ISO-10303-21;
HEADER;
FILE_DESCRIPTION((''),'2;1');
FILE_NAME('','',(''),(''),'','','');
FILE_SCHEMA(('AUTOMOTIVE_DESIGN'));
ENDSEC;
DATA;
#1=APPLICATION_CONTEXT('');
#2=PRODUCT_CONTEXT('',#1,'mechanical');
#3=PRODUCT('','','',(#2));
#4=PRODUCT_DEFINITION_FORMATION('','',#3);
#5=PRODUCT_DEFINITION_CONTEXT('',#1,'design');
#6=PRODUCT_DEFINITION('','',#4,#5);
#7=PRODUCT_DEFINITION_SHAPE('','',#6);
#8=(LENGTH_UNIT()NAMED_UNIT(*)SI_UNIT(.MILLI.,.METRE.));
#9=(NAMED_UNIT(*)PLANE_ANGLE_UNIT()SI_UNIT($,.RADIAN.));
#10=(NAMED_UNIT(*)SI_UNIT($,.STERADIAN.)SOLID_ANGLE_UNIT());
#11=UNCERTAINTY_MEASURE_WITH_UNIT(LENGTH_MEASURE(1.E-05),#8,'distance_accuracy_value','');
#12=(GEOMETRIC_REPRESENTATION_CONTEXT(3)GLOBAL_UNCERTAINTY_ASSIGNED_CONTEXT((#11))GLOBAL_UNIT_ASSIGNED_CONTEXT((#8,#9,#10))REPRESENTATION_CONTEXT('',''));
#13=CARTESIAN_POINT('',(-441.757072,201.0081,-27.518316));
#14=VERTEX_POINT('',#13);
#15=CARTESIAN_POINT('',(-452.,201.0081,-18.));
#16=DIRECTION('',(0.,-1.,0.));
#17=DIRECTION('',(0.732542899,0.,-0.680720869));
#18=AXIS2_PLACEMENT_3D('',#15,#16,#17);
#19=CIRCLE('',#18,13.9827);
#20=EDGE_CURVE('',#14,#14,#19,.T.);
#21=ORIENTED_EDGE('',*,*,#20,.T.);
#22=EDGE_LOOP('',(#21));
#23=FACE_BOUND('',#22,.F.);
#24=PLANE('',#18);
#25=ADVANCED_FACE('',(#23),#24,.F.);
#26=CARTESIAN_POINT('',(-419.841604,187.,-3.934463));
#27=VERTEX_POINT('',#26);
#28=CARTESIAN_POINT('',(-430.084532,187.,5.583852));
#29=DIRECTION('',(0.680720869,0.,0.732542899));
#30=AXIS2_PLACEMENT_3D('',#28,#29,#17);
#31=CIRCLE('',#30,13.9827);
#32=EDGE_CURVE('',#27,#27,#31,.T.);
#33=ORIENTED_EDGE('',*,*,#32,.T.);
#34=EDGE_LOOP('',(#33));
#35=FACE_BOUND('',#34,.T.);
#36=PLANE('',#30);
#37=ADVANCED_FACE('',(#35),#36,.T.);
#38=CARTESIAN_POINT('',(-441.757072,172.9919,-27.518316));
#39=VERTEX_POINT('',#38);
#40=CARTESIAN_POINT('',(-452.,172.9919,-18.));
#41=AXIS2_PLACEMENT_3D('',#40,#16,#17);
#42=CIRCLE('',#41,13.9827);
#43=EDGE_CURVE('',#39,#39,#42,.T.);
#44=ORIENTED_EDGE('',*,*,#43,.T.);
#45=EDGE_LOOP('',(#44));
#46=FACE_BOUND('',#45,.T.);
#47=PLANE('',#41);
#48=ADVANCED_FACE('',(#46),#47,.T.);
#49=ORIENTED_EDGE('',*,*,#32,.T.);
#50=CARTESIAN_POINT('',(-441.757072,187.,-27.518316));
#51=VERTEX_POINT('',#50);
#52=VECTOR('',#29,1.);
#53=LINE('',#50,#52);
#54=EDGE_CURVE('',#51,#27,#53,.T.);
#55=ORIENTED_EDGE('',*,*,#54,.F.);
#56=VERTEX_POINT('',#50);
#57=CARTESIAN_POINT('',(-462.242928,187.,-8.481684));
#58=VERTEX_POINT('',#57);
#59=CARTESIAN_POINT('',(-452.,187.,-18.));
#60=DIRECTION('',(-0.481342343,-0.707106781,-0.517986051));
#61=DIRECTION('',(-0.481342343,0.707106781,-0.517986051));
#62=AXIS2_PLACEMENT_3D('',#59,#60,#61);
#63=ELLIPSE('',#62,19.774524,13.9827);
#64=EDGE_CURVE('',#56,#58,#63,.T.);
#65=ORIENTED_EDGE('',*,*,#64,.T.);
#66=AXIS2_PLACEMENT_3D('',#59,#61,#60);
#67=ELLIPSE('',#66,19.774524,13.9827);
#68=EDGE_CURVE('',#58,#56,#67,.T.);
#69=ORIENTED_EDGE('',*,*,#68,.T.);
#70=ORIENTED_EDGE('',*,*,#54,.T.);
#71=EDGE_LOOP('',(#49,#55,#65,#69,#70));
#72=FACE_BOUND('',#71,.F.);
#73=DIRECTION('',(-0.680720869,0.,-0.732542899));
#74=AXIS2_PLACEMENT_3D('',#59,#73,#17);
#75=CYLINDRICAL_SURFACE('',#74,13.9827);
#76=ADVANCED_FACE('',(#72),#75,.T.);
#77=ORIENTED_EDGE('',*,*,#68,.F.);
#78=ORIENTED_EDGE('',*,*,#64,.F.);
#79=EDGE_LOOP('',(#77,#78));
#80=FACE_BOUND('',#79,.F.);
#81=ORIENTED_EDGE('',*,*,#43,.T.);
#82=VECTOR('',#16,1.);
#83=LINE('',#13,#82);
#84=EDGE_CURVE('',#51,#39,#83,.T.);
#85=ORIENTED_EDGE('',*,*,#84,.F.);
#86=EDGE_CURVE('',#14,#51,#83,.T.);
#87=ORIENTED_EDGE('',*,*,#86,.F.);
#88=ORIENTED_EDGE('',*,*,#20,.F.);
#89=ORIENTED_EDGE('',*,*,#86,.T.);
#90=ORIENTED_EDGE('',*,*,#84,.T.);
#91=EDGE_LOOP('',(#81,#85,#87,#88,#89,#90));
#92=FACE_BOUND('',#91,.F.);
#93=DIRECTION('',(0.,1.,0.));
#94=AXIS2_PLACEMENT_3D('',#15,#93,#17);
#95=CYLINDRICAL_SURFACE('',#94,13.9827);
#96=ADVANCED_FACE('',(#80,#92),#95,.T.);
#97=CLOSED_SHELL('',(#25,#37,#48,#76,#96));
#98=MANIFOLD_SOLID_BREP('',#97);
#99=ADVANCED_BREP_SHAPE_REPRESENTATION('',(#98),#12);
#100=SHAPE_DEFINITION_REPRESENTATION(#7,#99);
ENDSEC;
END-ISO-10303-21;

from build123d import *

# Parameters (mm, degrees)
CYLINDER066_R             = 13.9827
CYLINDER066_DEPTH         = 28.0162
CYLINDER065_R             = 13.9827
CYLINDER065_DEPTH         = 32.1945
FUSION025_PLACEMENT_ANGLE = 42.9


with BuildPart() as cylinder066:
    # Cylinder066 → Cylinder066 (new body)
    with BuildSketch(Plane.XZ.offset(-14.0081)):
        Circle(CYLINDER066_R)
    extrude(amount=CYLINDER066_DEPTH)


with BuildPart() as rear_inner_slip_r:
    # Cylinder065 → Cylinder065 (new body)
    with BuildSketch(Plane.XY):
        Circle(CYLINDER065_R)
    extrude(amount=CYLINDER065_DEPTH)

    # Fusion025: union Cylinder066
    add(cylinder066.part)


with BuildPart() as rear_inner_slip_r_1:
    # Fusion025 placement: moved
    add(rear_inner_slip_r.part.moved(Location((-452, 187, -18))).rotate(Axis((-452, 187, -18), (0, 1, 0)), FUSION025_PLACEMENT_ANGLE))


solid = rear_inner_slip_r_1.part
